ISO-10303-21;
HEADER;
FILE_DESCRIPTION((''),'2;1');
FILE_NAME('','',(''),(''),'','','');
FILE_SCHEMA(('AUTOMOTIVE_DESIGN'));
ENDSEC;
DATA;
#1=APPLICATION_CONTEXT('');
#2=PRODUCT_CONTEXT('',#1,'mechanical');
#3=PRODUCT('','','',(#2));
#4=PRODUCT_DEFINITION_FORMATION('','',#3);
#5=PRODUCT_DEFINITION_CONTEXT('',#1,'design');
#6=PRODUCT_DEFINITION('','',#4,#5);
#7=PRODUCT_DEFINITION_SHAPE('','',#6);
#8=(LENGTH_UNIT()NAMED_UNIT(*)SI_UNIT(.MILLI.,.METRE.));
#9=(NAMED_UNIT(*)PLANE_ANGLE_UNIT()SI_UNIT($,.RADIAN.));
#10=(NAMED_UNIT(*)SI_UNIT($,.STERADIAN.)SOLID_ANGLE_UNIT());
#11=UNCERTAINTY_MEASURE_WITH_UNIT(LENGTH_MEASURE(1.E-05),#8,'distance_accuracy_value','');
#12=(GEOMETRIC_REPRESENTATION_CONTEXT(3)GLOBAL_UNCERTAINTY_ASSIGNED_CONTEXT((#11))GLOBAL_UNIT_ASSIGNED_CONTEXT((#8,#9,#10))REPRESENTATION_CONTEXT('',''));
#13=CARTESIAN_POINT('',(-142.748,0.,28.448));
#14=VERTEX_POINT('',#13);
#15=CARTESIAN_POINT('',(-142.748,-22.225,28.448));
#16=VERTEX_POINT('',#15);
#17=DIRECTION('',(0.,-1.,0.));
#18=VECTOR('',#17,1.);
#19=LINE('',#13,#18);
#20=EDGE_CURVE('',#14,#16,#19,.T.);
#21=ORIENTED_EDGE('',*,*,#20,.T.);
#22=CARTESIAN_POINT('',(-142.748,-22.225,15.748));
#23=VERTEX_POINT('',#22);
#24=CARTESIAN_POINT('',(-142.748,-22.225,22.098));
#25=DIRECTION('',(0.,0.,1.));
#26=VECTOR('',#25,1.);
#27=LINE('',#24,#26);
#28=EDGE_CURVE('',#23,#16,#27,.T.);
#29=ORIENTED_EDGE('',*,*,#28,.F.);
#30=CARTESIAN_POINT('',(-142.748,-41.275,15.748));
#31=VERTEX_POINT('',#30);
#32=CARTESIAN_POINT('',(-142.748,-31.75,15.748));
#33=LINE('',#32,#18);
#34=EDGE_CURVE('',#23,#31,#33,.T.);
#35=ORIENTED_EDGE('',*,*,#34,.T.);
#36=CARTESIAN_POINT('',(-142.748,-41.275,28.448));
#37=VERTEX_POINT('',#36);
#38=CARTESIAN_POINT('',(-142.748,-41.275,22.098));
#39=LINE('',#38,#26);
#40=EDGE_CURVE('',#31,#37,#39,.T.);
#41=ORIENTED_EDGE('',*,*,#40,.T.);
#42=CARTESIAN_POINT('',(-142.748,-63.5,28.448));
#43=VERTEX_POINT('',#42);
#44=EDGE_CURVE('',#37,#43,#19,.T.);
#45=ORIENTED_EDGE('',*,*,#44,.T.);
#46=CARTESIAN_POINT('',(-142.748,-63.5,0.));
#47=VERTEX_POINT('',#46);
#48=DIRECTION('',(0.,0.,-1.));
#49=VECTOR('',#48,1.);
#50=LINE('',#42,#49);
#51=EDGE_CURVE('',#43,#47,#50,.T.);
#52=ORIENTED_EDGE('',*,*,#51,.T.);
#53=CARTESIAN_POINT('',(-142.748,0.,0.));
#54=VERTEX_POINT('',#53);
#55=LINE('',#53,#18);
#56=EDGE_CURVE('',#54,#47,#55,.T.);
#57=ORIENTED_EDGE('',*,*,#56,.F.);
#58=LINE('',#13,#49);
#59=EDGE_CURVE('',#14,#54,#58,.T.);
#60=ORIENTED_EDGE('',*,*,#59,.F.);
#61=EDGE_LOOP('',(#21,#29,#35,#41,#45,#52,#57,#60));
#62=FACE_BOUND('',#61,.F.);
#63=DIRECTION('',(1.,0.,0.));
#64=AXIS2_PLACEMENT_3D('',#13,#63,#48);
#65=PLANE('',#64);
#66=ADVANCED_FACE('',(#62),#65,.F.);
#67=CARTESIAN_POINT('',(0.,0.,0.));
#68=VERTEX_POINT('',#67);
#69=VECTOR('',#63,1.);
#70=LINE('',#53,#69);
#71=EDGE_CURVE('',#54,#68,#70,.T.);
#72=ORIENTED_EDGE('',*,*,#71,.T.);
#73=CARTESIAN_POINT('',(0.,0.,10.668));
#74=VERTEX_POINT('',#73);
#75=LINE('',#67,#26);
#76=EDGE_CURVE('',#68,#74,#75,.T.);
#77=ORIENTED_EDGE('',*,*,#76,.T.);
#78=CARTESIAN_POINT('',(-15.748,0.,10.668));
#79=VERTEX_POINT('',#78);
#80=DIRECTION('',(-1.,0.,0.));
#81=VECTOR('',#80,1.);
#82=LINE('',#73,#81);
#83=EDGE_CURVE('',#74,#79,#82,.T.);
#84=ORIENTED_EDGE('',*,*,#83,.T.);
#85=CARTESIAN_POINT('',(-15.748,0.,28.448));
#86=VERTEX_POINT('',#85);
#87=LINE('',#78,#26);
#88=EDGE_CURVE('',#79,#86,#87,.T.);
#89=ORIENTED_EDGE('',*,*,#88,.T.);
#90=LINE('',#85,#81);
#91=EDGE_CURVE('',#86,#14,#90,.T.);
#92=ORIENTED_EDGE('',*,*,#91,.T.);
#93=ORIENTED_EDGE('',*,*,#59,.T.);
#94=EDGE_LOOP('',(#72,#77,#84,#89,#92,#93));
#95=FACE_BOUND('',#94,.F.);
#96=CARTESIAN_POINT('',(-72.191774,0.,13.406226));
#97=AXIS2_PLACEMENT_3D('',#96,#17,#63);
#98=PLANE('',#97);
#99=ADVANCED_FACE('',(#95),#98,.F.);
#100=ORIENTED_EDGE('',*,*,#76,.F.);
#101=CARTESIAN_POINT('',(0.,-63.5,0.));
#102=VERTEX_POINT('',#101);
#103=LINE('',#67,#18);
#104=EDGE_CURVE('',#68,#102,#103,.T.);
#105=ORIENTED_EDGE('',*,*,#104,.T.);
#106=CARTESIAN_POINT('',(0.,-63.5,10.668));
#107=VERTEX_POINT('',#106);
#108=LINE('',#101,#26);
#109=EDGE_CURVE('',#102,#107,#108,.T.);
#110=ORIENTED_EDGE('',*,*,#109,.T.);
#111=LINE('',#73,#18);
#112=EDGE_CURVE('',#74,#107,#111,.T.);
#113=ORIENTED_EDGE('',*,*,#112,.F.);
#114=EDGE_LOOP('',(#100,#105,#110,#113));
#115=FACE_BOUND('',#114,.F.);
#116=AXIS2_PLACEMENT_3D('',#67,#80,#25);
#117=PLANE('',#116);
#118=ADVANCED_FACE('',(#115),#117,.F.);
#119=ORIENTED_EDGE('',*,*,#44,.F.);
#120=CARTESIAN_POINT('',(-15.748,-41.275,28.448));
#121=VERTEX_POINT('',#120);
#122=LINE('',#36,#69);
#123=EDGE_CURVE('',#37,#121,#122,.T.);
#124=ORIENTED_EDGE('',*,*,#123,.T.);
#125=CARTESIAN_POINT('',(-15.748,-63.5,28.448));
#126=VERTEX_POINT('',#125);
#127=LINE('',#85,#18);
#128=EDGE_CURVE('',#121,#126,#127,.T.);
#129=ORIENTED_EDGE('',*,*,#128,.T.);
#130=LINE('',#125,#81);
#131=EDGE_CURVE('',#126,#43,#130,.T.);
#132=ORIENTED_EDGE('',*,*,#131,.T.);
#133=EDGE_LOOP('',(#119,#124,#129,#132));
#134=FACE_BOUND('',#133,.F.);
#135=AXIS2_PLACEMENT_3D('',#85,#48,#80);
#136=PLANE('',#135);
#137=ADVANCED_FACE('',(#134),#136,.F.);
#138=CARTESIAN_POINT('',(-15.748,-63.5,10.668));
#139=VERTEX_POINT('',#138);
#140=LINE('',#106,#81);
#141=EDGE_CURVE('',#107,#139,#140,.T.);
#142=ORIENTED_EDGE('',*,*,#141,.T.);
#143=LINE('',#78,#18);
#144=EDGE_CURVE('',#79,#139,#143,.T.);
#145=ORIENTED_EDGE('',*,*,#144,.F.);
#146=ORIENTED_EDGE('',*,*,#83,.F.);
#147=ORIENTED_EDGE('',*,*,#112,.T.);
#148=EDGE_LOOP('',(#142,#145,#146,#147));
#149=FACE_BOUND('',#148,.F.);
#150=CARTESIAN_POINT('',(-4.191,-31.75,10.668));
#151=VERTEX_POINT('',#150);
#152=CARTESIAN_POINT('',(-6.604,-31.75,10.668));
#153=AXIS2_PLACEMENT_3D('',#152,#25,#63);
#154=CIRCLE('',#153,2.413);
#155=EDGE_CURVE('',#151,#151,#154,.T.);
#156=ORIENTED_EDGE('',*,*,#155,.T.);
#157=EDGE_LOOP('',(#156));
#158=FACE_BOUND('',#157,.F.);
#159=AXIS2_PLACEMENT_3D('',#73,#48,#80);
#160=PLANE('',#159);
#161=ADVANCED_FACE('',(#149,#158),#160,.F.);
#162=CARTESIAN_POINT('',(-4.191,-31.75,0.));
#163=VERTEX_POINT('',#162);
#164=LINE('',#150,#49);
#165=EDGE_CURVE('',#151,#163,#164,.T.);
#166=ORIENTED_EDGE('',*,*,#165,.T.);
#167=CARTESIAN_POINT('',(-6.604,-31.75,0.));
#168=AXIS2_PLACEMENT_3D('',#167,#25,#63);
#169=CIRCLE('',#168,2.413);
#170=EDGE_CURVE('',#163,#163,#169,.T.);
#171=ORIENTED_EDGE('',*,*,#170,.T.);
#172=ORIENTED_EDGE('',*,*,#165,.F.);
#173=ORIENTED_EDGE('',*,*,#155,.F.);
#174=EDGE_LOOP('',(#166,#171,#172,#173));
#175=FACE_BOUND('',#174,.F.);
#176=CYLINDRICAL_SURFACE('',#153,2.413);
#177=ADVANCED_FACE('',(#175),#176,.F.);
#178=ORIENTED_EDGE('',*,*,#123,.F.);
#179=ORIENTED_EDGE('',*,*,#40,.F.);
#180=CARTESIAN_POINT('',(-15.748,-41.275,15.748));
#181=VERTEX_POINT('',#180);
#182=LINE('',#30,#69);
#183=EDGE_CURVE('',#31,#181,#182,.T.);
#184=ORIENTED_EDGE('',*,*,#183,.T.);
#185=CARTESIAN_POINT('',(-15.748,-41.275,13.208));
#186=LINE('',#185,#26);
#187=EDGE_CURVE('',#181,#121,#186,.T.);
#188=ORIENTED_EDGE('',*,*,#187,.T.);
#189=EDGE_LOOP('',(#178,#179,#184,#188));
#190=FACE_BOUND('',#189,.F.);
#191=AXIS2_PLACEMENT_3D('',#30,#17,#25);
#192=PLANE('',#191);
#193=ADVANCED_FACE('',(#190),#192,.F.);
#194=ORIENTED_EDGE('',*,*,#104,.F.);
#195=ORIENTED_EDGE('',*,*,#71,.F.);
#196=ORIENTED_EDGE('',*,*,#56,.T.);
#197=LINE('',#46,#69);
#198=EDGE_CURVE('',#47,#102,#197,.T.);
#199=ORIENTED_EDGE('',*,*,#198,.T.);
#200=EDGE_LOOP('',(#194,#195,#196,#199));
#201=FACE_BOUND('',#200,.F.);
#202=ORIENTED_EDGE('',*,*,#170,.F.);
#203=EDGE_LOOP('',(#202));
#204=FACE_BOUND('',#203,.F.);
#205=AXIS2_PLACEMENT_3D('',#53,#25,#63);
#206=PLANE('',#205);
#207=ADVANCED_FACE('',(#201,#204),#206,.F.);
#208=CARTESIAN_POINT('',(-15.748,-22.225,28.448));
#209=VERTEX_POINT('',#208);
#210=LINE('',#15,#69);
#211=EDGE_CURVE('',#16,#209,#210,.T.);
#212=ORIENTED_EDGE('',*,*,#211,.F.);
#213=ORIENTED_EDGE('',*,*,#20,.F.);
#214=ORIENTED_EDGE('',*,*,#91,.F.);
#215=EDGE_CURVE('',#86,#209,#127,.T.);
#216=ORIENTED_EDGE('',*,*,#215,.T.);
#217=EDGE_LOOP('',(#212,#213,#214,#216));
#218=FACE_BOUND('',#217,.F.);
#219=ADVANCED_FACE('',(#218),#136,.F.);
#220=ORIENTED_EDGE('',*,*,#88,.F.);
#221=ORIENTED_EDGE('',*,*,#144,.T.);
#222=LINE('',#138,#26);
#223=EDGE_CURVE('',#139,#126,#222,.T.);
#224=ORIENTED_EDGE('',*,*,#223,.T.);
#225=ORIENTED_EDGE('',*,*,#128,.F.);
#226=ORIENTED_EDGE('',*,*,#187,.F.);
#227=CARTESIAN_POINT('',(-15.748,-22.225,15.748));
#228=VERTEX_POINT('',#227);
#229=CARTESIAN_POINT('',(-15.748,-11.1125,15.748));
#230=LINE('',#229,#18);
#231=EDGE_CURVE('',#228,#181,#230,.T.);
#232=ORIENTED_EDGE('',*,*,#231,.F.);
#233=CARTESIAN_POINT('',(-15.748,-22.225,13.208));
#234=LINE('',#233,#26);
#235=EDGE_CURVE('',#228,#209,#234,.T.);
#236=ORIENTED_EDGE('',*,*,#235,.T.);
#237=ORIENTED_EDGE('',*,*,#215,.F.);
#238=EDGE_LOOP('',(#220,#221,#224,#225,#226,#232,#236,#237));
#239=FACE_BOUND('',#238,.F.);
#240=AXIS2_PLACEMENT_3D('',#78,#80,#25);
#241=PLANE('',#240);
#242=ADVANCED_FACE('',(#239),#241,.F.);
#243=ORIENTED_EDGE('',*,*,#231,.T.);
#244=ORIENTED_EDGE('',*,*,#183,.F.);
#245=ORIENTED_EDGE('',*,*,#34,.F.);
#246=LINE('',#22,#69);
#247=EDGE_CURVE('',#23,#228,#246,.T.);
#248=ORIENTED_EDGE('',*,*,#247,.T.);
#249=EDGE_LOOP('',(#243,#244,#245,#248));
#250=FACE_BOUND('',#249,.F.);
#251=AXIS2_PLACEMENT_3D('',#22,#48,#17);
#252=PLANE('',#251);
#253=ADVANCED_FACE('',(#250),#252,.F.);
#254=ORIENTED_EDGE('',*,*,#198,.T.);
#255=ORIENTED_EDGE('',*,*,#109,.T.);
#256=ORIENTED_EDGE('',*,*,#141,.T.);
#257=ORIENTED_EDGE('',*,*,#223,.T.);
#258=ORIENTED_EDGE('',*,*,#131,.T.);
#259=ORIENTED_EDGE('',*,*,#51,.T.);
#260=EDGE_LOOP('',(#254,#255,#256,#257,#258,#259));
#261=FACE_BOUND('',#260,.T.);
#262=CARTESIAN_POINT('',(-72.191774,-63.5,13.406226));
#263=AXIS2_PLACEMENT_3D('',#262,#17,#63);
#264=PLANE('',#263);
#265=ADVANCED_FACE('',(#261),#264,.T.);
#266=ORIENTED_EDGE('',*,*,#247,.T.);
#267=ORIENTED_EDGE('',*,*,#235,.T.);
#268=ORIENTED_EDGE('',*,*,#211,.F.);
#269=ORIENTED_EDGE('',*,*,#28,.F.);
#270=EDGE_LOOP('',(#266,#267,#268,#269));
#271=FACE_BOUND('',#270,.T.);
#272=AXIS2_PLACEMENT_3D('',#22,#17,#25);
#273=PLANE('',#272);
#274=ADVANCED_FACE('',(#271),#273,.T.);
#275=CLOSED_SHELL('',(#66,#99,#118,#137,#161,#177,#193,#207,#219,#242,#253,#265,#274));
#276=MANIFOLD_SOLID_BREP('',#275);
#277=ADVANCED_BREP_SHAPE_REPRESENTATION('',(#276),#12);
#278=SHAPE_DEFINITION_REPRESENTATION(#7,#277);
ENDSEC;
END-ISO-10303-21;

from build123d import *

# Parameters (mm, degrees)
F1_DEPTH = 63.5
F2_R     = 2.413
F3_DEPTH = 10.669
F4_W     = 19.05
F4_H     = 12.7
F5_DEPTH = 142.749


with BuildPart() as f1:
    # F0 (on Front) → F1 (new body)
    with BuildSketch(Plane.XZ):
        Polygon((-15.748, 28.448), (-142.748, 28.448), (-142.748, 0), (0, 0), (0, 10.668), (-15.748, 10.668), align=None)
    extrude(amount=F1_DEPTH)

    # F2 (on face) → F3 (cut, through all)
    with BuildSketch(Plane.XY.offset(10.668)):
        with Locations((-6.604, -31.75)):
            Circle(F2_R)
    extrude(amount=-F3_DEPTH, mode=Mode.SUBTRACT)

    # F4 (on face) → F5 (cut, through all)
    with BuildSketch(Plane(origin=(-142.748, 0, 0), x_dir=(0, -1, 0), z_dir=(-1, 0, 0))):
        with Locations((31.75, 22.098)):
            Rectangle(F4_W, F4_H)
    extrude(amount=-F5_DEPTH, mode=Mode.SUBTRACT)


solid = f1.part
